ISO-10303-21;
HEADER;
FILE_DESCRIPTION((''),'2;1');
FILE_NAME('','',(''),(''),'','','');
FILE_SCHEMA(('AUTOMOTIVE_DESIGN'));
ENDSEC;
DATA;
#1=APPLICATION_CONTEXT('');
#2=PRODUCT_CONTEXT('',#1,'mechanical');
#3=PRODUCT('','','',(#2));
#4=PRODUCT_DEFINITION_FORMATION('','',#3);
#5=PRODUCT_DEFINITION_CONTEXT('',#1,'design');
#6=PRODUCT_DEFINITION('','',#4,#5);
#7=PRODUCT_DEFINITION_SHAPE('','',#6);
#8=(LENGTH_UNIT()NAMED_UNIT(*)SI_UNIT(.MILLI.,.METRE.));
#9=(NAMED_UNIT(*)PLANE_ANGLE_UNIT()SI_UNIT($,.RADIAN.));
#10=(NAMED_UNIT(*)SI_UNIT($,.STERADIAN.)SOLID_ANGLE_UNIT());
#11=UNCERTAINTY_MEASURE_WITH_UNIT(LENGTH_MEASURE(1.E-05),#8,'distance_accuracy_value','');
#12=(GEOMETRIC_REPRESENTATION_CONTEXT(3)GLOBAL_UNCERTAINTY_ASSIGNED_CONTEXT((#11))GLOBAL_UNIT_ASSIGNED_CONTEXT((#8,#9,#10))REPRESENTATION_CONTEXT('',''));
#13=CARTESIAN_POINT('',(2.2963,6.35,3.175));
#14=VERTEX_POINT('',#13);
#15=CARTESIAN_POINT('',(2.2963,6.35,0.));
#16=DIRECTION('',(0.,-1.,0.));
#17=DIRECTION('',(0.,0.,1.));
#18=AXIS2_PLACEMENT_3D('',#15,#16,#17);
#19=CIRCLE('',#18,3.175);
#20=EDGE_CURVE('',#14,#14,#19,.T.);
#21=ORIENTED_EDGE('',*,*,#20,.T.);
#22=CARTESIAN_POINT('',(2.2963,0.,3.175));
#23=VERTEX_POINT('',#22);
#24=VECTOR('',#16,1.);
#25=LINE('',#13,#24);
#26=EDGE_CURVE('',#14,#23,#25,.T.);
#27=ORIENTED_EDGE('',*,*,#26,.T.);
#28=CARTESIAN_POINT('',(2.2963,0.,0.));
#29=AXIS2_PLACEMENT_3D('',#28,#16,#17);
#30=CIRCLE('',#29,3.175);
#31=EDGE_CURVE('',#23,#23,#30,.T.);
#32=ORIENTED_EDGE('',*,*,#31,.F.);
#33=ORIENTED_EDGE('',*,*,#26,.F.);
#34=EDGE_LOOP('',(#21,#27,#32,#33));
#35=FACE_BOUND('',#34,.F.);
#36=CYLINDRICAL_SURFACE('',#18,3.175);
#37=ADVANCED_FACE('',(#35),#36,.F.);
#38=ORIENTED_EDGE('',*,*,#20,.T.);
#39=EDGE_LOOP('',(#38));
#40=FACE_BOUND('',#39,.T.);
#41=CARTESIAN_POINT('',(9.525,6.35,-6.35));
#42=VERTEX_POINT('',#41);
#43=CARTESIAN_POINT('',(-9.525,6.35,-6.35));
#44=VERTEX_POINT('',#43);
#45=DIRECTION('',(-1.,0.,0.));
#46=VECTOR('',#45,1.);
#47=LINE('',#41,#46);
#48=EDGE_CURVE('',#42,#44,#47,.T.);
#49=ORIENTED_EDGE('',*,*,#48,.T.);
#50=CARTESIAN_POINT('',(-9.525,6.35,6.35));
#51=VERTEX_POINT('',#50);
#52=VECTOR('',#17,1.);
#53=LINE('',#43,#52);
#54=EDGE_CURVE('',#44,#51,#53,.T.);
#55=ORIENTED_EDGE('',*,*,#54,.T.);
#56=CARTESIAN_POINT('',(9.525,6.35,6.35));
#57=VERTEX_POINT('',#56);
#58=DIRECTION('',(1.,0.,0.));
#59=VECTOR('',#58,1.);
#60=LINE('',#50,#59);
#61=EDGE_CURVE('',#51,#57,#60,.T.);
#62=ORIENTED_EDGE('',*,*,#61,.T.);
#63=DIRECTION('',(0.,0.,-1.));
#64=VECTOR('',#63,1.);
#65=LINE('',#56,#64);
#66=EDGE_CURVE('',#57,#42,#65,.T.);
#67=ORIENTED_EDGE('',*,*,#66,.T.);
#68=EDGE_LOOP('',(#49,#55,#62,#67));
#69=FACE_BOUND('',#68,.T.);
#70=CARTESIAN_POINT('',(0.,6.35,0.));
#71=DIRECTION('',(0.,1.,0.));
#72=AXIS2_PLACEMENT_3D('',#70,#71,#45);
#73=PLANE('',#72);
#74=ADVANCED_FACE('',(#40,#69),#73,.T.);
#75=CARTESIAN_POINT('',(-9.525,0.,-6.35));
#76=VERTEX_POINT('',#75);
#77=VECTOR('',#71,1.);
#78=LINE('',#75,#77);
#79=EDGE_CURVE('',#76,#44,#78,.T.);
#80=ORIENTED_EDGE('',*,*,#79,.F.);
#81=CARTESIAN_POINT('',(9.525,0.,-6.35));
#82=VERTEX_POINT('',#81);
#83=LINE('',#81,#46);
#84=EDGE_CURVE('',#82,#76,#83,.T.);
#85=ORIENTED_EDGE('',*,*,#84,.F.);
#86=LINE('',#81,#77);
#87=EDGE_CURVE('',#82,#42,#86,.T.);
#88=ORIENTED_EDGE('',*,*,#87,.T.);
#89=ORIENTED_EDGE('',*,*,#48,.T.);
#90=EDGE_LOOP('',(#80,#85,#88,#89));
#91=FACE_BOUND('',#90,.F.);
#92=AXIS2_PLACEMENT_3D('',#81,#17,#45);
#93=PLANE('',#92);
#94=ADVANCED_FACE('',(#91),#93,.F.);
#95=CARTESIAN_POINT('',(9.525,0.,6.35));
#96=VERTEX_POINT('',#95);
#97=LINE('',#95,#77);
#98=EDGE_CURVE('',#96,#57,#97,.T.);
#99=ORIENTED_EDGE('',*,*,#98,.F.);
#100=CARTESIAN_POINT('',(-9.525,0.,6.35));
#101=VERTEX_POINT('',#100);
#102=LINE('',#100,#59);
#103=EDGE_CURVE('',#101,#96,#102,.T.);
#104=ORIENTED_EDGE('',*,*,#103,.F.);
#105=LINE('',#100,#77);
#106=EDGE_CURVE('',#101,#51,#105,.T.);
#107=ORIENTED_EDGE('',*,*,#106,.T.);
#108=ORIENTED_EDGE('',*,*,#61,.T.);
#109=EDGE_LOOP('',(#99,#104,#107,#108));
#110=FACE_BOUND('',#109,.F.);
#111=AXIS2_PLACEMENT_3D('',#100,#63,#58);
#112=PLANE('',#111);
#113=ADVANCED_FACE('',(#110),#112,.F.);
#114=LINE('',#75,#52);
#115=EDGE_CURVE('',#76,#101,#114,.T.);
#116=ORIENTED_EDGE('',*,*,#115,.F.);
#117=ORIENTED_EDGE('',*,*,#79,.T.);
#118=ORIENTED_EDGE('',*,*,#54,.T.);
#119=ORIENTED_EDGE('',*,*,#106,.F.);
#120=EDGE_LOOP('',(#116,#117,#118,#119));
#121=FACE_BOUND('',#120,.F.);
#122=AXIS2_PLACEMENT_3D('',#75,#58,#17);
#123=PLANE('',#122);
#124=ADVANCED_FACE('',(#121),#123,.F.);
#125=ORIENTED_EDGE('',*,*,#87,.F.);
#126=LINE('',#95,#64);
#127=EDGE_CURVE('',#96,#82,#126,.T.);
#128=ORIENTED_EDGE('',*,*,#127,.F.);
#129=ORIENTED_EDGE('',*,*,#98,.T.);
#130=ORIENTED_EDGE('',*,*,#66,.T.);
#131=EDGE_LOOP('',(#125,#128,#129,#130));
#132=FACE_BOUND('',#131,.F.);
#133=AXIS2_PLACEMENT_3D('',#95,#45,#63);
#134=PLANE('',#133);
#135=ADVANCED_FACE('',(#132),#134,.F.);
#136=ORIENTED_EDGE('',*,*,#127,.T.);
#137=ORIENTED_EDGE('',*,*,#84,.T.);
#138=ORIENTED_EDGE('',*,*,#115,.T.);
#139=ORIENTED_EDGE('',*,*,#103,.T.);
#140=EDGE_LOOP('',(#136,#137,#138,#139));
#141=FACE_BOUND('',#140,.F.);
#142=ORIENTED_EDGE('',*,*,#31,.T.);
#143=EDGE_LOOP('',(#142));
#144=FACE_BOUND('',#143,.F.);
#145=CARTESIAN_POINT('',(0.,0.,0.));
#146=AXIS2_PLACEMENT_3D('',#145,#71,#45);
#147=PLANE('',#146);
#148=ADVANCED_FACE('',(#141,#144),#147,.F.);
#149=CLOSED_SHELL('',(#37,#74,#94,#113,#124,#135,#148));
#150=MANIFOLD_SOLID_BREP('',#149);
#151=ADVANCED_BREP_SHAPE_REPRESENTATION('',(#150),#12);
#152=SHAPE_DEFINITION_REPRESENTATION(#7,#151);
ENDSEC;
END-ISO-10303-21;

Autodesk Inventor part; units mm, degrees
ref_plane "YZ Plane" through (0, 0, 0) normal (1, 0, 0) x (0, 1, 0)
ref_plane "XZ Plane" through (0, 0, 0) normal (0, 1, 0) x (-1, 0, 0)
ref_plane "XY Plane" through (0, 0, 0) normal (0, 0, 1) x (1, 0, 0)
sketch "Sketch1" plane through (0, 0, 0) normal (0, 1, 0) x (-1, 0, 0)
  line L0 (9.525, 6.35) -> (-9.525, 6.35)
  line L1 (-9.525, 6.35) -> (-9.525, -6.35)
  line L2 (-9.525, -6.35) -> (9.525, -6.35)
  line L3 (9.525, -6.35) -> (9.525, 6.35)
  line L4 (9.525, 6.35) -> (-9.525, -6.35) construction
  line L5 (-9.525, 6.35) -> (9.525, -6.35) construction
  point P0 (0, 0)
  dimension "d0" = 19.05
  dimension "d1" = 12.7
extrude "Extrusion1" add sketch "Sketch1" along normal blind 6.35
sketch "Sketch3" plane through (0, 6.35, 0) normal (0, 1, 0) x (1, 0, 0)
  point P0 (0, 0)
  point P1 (2.2963, 0)
hole "Hole2" at (2.2963, 6.35, 0) direction (0, -1, 0) diameter 6.35 depth 25.4 tip angle 118
properties part number "tiedown-hook-clip"
